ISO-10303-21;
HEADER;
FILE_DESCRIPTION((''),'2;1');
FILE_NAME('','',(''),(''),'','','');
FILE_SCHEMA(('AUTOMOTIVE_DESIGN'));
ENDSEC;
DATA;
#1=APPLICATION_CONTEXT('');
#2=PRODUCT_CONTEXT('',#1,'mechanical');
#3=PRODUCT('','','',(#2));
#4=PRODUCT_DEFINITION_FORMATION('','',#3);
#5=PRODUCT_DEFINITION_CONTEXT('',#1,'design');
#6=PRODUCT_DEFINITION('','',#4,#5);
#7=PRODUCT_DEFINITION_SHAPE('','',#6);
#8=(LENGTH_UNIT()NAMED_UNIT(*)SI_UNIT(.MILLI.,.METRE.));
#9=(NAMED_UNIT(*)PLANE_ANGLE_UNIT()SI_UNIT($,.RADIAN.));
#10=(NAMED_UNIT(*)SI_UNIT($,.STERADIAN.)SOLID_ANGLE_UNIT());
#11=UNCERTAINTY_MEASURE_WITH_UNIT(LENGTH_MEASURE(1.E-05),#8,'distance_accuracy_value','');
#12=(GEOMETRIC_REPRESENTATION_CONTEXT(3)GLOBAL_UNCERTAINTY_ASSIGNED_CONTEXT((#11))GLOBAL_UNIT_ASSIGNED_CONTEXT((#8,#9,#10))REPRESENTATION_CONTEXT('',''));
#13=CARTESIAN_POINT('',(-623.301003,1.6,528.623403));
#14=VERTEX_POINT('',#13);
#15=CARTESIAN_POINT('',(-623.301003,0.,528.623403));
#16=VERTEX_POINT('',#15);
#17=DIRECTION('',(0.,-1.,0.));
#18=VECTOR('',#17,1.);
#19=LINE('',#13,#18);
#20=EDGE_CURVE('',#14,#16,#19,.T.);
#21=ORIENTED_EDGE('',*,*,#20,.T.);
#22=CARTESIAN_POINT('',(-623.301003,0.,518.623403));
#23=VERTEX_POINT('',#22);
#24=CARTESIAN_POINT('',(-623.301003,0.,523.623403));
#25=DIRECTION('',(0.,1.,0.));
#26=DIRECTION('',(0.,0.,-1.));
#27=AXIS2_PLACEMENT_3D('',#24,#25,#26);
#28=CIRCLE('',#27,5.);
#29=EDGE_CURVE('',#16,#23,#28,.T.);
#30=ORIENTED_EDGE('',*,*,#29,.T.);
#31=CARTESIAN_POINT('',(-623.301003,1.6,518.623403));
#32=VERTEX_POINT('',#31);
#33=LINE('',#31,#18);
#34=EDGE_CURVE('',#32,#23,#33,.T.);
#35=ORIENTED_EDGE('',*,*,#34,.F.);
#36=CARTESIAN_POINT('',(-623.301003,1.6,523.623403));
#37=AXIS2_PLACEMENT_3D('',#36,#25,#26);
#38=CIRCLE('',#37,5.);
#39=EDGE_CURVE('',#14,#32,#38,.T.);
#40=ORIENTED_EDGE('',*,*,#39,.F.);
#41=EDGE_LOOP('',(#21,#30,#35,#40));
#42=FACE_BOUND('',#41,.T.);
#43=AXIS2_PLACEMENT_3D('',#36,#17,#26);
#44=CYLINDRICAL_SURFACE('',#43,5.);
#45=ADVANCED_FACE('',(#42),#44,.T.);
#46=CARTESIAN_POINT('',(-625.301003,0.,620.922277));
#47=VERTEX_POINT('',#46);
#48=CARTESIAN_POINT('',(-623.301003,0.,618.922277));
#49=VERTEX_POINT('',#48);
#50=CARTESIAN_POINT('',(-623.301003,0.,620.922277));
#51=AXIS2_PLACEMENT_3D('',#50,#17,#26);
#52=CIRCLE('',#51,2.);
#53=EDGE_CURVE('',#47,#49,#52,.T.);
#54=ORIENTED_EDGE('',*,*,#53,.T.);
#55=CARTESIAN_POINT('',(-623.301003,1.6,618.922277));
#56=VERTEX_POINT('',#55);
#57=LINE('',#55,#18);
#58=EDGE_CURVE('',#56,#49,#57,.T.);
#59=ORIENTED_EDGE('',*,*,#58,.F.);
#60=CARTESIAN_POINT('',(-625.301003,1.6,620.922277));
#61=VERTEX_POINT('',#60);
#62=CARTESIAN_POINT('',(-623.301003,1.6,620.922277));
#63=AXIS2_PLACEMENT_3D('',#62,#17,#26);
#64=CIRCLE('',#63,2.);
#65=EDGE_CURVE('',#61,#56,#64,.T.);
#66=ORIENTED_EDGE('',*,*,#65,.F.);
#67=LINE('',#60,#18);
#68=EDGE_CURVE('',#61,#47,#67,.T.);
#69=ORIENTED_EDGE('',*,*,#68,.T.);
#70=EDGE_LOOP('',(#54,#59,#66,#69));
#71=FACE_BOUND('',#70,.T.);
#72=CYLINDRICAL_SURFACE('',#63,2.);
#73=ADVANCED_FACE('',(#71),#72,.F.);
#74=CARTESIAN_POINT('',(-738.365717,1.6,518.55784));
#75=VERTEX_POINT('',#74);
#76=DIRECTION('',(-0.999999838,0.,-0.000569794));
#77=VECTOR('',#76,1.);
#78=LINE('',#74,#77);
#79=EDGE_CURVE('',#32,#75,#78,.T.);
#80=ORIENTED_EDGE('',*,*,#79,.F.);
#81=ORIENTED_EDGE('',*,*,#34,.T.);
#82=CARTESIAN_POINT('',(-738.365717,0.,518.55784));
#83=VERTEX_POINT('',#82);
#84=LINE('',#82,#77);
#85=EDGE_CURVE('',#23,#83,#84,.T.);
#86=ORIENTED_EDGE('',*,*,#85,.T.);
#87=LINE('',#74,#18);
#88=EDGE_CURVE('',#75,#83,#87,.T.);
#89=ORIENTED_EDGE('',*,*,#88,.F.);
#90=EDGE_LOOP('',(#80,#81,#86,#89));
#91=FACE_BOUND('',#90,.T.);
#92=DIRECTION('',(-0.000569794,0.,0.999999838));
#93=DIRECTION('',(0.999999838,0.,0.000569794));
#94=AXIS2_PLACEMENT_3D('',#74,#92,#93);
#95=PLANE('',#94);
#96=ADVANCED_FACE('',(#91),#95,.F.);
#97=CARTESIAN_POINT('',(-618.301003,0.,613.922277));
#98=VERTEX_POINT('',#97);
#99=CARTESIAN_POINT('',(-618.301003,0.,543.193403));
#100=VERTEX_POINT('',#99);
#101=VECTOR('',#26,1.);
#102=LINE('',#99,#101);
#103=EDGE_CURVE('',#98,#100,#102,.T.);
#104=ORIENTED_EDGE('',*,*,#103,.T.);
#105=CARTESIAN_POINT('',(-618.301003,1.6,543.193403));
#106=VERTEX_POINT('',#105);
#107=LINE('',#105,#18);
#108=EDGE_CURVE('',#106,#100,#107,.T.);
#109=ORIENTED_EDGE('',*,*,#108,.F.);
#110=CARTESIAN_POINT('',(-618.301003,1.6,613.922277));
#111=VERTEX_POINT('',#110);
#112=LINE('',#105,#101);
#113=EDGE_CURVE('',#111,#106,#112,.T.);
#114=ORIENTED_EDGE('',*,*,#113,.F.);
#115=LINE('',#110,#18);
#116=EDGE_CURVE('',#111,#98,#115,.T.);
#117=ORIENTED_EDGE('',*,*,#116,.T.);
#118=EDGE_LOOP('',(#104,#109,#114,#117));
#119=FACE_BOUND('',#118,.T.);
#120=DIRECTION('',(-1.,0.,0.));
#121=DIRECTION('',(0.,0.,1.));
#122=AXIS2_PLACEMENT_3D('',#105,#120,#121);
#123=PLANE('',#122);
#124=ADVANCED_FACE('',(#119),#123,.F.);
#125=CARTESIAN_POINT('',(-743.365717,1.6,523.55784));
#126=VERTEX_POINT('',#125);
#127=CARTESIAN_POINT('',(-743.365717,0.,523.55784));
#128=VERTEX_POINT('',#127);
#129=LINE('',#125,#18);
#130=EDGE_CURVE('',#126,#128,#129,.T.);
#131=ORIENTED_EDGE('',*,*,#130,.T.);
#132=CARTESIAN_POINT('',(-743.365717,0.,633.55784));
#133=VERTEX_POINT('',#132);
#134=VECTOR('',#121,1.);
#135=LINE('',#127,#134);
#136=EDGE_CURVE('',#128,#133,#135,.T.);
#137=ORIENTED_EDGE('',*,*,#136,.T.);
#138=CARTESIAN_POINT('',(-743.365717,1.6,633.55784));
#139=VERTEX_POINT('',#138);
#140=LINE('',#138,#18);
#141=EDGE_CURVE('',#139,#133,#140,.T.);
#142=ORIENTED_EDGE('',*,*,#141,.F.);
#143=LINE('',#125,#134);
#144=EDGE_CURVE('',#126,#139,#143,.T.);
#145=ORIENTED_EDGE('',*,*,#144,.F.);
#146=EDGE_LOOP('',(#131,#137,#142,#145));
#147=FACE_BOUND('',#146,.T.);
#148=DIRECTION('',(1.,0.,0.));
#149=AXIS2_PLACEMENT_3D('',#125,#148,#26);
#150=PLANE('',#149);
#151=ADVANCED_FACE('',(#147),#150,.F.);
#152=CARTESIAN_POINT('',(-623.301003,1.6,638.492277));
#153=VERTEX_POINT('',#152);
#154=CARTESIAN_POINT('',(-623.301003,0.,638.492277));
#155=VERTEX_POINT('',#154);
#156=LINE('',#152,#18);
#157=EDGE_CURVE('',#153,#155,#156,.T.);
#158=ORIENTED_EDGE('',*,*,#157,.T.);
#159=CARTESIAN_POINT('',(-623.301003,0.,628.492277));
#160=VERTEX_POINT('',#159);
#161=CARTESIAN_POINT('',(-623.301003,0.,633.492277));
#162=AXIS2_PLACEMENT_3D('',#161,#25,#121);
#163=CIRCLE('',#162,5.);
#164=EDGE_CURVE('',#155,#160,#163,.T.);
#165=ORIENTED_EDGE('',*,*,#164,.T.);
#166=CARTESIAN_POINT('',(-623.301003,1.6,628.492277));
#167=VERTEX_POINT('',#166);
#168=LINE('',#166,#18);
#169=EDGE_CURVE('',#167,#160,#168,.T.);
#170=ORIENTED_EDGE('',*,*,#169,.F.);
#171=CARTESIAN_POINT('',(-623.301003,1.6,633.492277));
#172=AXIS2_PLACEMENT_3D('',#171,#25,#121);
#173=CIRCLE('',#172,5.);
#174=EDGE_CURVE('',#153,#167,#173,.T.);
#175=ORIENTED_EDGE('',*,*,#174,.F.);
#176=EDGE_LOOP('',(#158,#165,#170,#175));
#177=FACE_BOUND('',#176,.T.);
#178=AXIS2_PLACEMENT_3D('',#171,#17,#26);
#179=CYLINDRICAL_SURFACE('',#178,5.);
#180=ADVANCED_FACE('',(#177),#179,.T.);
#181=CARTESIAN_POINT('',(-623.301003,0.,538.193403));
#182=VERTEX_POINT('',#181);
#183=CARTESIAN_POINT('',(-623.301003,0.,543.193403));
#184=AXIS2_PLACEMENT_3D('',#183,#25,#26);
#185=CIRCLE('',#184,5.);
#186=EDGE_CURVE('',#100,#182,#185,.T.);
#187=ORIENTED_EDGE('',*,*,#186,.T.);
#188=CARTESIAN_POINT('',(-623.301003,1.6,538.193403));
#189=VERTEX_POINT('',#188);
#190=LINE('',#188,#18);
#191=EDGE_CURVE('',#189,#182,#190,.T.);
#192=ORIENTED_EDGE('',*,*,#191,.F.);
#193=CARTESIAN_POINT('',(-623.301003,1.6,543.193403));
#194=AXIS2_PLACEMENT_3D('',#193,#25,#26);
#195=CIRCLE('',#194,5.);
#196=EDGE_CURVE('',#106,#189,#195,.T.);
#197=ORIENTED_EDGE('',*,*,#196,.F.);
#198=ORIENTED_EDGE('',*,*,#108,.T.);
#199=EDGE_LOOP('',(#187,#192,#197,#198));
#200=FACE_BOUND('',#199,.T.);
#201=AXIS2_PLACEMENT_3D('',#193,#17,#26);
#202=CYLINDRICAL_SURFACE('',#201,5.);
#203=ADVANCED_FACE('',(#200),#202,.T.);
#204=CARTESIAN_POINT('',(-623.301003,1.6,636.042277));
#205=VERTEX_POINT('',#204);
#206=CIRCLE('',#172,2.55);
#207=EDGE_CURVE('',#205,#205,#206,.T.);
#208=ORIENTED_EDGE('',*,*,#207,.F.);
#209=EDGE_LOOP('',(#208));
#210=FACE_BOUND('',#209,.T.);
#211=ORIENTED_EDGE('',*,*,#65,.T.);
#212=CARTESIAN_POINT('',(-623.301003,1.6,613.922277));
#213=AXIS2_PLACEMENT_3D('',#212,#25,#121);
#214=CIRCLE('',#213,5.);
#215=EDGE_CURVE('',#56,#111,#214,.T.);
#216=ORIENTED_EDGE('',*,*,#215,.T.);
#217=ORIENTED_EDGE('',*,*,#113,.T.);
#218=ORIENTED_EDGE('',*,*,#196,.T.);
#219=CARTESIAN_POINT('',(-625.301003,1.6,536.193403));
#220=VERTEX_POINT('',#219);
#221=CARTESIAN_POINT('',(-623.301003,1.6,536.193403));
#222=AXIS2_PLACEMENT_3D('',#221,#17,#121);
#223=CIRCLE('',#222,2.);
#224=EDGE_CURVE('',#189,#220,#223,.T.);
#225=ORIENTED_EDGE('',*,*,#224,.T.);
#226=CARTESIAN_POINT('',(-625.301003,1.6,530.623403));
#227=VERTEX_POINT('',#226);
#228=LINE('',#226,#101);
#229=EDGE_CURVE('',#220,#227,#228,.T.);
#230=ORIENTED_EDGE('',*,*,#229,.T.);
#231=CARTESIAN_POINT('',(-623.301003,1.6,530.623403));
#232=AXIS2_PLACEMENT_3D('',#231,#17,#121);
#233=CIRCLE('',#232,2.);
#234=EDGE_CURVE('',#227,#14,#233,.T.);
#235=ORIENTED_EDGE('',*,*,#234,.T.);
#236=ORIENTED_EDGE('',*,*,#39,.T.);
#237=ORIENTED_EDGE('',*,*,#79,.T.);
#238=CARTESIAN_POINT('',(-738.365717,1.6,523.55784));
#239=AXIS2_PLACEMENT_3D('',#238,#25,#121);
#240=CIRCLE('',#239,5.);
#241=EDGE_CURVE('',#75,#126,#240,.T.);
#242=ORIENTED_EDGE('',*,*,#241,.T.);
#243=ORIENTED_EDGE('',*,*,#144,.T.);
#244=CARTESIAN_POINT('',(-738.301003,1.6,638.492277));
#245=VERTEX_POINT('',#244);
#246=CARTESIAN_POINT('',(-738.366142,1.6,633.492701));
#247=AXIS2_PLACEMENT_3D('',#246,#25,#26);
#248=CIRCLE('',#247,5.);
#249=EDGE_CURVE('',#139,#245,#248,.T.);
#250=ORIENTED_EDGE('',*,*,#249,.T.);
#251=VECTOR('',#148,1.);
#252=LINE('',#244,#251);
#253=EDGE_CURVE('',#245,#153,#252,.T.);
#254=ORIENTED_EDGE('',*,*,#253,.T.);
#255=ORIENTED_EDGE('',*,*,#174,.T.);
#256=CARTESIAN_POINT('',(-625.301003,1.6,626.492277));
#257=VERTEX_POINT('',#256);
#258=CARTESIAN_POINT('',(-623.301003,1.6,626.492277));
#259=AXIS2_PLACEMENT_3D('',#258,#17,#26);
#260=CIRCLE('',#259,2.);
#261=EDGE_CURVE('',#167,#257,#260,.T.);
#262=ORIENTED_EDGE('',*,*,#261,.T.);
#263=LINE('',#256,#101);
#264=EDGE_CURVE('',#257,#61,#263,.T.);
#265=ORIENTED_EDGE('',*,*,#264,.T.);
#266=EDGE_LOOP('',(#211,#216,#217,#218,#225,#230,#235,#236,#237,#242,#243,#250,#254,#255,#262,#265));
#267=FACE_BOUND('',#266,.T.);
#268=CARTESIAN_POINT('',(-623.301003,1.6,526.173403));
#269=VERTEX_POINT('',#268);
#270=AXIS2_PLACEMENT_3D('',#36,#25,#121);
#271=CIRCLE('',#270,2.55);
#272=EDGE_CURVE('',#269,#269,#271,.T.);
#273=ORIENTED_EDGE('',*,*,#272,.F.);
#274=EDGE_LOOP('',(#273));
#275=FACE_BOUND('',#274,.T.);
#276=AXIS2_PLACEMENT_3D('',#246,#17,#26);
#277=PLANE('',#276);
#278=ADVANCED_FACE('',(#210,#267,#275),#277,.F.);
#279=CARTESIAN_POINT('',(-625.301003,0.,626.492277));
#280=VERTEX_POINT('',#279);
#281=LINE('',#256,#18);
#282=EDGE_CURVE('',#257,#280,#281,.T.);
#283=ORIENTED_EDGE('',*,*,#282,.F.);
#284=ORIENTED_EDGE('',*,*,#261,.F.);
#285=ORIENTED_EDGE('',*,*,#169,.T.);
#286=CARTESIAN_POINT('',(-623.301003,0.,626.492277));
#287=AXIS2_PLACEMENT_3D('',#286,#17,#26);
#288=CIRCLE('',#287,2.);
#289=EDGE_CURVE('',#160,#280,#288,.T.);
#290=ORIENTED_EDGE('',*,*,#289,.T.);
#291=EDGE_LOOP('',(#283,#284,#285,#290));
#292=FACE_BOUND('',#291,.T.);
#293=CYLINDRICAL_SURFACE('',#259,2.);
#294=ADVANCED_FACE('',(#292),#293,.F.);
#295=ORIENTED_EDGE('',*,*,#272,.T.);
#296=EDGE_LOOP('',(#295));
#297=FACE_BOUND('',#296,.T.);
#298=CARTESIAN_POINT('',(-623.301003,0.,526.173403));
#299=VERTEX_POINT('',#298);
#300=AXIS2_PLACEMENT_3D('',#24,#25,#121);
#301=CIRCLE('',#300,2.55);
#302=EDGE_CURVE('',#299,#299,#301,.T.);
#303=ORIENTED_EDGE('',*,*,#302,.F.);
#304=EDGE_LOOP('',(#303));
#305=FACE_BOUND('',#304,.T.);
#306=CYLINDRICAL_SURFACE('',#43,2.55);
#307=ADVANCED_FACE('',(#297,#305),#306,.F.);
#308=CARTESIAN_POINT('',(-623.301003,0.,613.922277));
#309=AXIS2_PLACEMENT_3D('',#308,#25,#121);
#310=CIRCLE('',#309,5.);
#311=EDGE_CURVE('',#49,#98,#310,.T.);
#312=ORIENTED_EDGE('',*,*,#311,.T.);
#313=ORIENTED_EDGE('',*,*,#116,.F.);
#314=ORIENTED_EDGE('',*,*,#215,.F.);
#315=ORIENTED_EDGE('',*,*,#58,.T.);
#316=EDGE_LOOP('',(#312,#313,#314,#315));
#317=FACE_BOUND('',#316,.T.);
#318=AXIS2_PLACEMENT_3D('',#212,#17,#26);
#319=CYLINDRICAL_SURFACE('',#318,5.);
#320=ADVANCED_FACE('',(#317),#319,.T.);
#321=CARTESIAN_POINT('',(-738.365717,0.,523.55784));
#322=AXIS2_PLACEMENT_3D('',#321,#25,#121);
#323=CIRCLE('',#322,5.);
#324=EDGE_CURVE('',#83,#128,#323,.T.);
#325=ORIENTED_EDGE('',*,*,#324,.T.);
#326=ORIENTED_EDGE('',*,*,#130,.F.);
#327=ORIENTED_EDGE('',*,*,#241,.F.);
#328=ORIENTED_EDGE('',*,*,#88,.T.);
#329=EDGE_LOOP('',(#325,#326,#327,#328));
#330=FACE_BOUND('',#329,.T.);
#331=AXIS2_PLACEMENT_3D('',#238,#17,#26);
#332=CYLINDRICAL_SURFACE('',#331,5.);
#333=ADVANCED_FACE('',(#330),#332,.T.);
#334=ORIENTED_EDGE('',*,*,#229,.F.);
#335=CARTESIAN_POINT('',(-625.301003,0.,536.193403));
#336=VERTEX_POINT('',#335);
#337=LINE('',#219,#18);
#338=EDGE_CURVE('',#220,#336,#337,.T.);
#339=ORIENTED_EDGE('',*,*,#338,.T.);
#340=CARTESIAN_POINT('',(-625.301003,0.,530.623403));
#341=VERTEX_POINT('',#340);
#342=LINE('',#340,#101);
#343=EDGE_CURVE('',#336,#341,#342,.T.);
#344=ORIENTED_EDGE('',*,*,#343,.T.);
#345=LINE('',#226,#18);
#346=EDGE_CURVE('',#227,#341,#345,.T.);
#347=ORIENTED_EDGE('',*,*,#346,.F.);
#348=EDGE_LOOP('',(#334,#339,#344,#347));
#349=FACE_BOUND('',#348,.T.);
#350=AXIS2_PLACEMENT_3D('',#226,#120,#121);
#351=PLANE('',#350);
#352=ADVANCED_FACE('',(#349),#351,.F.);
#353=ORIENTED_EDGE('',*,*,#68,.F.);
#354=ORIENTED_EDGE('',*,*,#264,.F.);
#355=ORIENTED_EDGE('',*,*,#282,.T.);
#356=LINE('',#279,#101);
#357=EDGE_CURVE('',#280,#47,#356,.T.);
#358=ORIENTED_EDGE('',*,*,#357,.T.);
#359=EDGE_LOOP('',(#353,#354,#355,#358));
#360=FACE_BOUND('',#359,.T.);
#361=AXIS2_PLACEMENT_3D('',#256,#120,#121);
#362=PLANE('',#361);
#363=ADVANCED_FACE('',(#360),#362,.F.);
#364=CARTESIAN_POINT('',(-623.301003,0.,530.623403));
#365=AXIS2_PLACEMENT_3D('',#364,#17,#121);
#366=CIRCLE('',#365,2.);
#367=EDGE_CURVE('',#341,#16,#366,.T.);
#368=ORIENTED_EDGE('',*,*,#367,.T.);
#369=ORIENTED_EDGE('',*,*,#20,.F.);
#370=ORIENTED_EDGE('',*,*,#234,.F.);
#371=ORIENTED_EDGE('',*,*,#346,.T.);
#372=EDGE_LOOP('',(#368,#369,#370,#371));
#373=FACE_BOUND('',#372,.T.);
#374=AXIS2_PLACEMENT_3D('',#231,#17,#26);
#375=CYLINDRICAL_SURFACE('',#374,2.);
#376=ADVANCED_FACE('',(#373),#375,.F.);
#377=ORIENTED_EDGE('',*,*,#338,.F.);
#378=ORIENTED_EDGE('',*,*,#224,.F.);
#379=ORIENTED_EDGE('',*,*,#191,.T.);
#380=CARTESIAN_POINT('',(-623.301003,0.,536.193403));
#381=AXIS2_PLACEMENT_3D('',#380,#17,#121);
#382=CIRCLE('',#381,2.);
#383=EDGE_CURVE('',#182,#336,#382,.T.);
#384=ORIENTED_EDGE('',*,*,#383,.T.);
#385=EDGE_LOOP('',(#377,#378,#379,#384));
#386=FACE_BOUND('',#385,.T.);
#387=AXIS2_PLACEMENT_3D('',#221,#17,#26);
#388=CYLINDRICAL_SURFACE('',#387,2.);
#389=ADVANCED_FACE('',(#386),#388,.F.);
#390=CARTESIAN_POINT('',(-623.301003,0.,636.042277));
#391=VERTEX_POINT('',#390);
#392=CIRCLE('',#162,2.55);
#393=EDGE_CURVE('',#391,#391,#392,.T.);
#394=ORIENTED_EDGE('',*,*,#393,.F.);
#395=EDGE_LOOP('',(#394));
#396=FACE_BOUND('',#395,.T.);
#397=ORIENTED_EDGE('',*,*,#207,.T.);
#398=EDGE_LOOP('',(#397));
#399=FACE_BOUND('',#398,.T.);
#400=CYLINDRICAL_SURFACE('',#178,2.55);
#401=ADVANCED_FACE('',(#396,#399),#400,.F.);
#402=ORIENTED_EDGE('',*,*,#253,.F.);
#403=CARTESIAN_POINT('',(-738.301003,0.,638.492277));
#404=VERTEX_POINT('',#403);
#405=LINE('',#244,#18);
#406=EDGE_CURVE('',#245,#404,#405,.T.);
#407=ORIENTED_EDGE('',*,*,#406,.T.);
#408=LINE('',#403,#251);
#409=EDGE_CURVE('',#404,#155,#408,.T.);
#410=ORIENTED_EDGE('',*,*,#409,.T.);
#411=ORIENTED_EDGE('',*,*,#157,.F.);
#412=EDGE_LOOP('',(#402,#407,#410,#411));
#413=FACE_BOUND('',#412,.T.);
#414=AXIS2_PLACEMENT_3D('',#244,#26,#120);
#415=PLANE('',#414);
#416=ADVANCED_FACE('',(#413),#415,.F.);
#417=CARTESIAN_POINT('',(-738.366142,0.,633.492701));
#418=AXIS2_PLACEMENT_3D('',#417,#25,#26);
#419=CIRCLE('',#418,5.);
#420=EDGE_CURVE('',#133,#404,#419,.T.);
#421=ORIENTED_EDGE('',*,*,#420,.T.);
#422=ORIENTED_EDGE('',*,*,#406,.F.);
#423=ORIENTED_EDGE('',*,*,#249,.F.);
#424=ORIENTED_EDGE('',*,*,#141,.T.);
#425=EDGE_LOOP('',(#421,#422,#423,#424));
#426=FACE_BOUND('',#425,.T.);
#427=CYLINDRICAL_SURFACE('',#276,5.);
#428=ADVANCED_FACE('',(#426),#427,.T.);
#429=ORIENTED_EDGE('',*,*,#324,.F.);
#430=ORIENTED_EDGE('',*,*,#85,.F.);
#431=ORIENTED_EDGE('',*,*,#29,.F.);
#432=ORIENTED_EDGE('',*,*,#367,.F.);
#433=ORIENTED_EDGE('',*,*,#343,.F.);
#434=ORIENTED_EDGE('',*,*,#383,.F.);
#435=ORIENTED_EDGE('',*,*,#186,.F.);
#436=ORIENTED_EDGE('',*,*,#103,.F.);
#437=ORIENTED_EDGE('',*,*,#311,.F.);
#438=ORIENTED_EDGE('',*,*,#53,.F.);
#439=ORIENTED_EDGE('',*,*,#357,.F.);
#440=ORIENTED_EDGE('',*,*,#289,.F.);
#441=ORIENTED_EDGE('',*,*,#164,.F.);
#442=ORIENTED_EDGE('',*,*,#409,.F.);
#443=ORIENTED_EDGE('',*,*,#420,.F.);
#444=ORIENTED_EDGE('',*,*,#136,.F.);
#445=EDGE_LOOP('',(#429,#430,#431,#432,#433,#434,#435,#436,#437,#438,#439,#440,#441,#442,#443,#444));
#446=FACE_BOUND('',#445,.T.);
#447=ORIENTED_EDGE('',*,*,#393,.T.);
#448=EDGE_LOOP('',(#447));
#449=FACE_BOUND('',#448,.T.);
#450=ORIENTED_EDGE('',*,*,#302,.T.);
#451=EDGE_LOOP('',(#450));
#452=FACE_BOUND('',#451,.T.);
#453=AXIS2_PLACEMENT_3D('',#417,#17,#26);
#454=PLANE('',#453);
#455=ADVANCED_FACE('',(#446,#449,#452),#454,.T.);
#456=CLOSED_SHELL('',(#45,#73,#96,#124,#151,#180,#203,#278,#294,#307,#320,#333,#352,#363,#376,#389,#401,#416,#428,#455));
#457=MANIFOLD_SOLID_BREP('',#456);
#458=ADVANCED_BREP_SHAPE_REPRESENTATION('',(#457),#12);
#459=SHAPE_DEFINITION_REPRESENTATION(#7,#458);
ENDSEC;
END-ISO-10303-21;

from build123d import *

# Parameters (mm, degrees)
SKETCH_1_R      = 2.55
EXTRUDE_1_DEPTH = 1.6


with BuildPart() as part:
    # 草图1 → 凸台-拉伸1 (new body)
    with BuildSketch(Plane(origin=(0, 0, 0), x_dir=(1, 0, 0), z_dir=(0, 1, 0))):
        with BuildLine():
            Line((-738.301002862, -638.492276663), (-623.301002862, -638.492276663))
            ThreePointArc((-623.301002862, -638.492276663), (-619.765468956, -637.027810569), (-618.301002862, -633.492276663))
            ThreePointArc((-618.301002862, -633.492276663), (-619.765468956, -629.956742757), (-623.301002862, -628.492276663))
            ThreePointArc((-623.301002862, -628.492276663), (-624.715216424, -627.906490225), (-625.301002862, -626.492276663))
            Line((-625.301002862, -626.492276663), (-625.301002862, -620.922276663))
            ThreePointArc((-625.301002862, -620.922276663), (-624.715216424, -619.5080631), (-623.301002862, -618.922276663))
            ThreePointArc((-623.301002862, -618.922276663), (-619.765468956, -617.457810569), (-618.301002862, -613.922276663))
            Line((-618.301002862, -613.922276663), (-618.301002862, -543.193402957))
            ThreePointArc((-618.301002862, -543.193402957), (-619.765468956, -539.657869051), (-623.301002862, -538.193402957))
            ThreePointArc((-623.301002862, -538.193402957), (-624.715216424, -537.607616519), (-625.301002862, -536.193402957))
            Line((-625.301002862, -536.193402957), (-625.301002862, -530.623402957))
            ThreePointArc((-625.301002862, -530.623402957), (-624.715216424, -529.209189395), (-623.301002862, -528.623402957))
            ThreePointArc((-623.301002862, -528.623402957), (-619.765468956, -527.158936863), (-618.301002862, -523.623402957))
            ThreePointArc((-618.301002862, -523.623402957), (-619.765468956, -520.087869051), (-623.301002862, -518.623402957))
            Line((-623.301002862, -518.623402957), (-738.36571736, -518.55783981))
            ThreePointArc((-738.36571736, -518.55783981), (-741.901251266, -520.022305904), (-743.36571736, -523.55783981))
            Line((-743.36571736, -523.55783981), (-743.36571736, -633.55783981))
            ThreePointArc((-743.36571736, -633.55783981), (-741.855315445, -637.073994954), (-738.301002862, -638.492276663))
        make_face()
        with Locations(Location((-623.301002862, -633.492276663, 0), (0, 0, 270))):
            Circle(SKETCH_1_R, mode=Mode.SUBTRACT)
        with Locations(Location((-623.301002862, -523.623402957, 0), (0, 0, 270))):
            Circle(SKETCH_1_R, mode=Mode.SUBTRACT)
    extrude(amount=EXTRUDE_1_DEPTH)


solid = part.part
